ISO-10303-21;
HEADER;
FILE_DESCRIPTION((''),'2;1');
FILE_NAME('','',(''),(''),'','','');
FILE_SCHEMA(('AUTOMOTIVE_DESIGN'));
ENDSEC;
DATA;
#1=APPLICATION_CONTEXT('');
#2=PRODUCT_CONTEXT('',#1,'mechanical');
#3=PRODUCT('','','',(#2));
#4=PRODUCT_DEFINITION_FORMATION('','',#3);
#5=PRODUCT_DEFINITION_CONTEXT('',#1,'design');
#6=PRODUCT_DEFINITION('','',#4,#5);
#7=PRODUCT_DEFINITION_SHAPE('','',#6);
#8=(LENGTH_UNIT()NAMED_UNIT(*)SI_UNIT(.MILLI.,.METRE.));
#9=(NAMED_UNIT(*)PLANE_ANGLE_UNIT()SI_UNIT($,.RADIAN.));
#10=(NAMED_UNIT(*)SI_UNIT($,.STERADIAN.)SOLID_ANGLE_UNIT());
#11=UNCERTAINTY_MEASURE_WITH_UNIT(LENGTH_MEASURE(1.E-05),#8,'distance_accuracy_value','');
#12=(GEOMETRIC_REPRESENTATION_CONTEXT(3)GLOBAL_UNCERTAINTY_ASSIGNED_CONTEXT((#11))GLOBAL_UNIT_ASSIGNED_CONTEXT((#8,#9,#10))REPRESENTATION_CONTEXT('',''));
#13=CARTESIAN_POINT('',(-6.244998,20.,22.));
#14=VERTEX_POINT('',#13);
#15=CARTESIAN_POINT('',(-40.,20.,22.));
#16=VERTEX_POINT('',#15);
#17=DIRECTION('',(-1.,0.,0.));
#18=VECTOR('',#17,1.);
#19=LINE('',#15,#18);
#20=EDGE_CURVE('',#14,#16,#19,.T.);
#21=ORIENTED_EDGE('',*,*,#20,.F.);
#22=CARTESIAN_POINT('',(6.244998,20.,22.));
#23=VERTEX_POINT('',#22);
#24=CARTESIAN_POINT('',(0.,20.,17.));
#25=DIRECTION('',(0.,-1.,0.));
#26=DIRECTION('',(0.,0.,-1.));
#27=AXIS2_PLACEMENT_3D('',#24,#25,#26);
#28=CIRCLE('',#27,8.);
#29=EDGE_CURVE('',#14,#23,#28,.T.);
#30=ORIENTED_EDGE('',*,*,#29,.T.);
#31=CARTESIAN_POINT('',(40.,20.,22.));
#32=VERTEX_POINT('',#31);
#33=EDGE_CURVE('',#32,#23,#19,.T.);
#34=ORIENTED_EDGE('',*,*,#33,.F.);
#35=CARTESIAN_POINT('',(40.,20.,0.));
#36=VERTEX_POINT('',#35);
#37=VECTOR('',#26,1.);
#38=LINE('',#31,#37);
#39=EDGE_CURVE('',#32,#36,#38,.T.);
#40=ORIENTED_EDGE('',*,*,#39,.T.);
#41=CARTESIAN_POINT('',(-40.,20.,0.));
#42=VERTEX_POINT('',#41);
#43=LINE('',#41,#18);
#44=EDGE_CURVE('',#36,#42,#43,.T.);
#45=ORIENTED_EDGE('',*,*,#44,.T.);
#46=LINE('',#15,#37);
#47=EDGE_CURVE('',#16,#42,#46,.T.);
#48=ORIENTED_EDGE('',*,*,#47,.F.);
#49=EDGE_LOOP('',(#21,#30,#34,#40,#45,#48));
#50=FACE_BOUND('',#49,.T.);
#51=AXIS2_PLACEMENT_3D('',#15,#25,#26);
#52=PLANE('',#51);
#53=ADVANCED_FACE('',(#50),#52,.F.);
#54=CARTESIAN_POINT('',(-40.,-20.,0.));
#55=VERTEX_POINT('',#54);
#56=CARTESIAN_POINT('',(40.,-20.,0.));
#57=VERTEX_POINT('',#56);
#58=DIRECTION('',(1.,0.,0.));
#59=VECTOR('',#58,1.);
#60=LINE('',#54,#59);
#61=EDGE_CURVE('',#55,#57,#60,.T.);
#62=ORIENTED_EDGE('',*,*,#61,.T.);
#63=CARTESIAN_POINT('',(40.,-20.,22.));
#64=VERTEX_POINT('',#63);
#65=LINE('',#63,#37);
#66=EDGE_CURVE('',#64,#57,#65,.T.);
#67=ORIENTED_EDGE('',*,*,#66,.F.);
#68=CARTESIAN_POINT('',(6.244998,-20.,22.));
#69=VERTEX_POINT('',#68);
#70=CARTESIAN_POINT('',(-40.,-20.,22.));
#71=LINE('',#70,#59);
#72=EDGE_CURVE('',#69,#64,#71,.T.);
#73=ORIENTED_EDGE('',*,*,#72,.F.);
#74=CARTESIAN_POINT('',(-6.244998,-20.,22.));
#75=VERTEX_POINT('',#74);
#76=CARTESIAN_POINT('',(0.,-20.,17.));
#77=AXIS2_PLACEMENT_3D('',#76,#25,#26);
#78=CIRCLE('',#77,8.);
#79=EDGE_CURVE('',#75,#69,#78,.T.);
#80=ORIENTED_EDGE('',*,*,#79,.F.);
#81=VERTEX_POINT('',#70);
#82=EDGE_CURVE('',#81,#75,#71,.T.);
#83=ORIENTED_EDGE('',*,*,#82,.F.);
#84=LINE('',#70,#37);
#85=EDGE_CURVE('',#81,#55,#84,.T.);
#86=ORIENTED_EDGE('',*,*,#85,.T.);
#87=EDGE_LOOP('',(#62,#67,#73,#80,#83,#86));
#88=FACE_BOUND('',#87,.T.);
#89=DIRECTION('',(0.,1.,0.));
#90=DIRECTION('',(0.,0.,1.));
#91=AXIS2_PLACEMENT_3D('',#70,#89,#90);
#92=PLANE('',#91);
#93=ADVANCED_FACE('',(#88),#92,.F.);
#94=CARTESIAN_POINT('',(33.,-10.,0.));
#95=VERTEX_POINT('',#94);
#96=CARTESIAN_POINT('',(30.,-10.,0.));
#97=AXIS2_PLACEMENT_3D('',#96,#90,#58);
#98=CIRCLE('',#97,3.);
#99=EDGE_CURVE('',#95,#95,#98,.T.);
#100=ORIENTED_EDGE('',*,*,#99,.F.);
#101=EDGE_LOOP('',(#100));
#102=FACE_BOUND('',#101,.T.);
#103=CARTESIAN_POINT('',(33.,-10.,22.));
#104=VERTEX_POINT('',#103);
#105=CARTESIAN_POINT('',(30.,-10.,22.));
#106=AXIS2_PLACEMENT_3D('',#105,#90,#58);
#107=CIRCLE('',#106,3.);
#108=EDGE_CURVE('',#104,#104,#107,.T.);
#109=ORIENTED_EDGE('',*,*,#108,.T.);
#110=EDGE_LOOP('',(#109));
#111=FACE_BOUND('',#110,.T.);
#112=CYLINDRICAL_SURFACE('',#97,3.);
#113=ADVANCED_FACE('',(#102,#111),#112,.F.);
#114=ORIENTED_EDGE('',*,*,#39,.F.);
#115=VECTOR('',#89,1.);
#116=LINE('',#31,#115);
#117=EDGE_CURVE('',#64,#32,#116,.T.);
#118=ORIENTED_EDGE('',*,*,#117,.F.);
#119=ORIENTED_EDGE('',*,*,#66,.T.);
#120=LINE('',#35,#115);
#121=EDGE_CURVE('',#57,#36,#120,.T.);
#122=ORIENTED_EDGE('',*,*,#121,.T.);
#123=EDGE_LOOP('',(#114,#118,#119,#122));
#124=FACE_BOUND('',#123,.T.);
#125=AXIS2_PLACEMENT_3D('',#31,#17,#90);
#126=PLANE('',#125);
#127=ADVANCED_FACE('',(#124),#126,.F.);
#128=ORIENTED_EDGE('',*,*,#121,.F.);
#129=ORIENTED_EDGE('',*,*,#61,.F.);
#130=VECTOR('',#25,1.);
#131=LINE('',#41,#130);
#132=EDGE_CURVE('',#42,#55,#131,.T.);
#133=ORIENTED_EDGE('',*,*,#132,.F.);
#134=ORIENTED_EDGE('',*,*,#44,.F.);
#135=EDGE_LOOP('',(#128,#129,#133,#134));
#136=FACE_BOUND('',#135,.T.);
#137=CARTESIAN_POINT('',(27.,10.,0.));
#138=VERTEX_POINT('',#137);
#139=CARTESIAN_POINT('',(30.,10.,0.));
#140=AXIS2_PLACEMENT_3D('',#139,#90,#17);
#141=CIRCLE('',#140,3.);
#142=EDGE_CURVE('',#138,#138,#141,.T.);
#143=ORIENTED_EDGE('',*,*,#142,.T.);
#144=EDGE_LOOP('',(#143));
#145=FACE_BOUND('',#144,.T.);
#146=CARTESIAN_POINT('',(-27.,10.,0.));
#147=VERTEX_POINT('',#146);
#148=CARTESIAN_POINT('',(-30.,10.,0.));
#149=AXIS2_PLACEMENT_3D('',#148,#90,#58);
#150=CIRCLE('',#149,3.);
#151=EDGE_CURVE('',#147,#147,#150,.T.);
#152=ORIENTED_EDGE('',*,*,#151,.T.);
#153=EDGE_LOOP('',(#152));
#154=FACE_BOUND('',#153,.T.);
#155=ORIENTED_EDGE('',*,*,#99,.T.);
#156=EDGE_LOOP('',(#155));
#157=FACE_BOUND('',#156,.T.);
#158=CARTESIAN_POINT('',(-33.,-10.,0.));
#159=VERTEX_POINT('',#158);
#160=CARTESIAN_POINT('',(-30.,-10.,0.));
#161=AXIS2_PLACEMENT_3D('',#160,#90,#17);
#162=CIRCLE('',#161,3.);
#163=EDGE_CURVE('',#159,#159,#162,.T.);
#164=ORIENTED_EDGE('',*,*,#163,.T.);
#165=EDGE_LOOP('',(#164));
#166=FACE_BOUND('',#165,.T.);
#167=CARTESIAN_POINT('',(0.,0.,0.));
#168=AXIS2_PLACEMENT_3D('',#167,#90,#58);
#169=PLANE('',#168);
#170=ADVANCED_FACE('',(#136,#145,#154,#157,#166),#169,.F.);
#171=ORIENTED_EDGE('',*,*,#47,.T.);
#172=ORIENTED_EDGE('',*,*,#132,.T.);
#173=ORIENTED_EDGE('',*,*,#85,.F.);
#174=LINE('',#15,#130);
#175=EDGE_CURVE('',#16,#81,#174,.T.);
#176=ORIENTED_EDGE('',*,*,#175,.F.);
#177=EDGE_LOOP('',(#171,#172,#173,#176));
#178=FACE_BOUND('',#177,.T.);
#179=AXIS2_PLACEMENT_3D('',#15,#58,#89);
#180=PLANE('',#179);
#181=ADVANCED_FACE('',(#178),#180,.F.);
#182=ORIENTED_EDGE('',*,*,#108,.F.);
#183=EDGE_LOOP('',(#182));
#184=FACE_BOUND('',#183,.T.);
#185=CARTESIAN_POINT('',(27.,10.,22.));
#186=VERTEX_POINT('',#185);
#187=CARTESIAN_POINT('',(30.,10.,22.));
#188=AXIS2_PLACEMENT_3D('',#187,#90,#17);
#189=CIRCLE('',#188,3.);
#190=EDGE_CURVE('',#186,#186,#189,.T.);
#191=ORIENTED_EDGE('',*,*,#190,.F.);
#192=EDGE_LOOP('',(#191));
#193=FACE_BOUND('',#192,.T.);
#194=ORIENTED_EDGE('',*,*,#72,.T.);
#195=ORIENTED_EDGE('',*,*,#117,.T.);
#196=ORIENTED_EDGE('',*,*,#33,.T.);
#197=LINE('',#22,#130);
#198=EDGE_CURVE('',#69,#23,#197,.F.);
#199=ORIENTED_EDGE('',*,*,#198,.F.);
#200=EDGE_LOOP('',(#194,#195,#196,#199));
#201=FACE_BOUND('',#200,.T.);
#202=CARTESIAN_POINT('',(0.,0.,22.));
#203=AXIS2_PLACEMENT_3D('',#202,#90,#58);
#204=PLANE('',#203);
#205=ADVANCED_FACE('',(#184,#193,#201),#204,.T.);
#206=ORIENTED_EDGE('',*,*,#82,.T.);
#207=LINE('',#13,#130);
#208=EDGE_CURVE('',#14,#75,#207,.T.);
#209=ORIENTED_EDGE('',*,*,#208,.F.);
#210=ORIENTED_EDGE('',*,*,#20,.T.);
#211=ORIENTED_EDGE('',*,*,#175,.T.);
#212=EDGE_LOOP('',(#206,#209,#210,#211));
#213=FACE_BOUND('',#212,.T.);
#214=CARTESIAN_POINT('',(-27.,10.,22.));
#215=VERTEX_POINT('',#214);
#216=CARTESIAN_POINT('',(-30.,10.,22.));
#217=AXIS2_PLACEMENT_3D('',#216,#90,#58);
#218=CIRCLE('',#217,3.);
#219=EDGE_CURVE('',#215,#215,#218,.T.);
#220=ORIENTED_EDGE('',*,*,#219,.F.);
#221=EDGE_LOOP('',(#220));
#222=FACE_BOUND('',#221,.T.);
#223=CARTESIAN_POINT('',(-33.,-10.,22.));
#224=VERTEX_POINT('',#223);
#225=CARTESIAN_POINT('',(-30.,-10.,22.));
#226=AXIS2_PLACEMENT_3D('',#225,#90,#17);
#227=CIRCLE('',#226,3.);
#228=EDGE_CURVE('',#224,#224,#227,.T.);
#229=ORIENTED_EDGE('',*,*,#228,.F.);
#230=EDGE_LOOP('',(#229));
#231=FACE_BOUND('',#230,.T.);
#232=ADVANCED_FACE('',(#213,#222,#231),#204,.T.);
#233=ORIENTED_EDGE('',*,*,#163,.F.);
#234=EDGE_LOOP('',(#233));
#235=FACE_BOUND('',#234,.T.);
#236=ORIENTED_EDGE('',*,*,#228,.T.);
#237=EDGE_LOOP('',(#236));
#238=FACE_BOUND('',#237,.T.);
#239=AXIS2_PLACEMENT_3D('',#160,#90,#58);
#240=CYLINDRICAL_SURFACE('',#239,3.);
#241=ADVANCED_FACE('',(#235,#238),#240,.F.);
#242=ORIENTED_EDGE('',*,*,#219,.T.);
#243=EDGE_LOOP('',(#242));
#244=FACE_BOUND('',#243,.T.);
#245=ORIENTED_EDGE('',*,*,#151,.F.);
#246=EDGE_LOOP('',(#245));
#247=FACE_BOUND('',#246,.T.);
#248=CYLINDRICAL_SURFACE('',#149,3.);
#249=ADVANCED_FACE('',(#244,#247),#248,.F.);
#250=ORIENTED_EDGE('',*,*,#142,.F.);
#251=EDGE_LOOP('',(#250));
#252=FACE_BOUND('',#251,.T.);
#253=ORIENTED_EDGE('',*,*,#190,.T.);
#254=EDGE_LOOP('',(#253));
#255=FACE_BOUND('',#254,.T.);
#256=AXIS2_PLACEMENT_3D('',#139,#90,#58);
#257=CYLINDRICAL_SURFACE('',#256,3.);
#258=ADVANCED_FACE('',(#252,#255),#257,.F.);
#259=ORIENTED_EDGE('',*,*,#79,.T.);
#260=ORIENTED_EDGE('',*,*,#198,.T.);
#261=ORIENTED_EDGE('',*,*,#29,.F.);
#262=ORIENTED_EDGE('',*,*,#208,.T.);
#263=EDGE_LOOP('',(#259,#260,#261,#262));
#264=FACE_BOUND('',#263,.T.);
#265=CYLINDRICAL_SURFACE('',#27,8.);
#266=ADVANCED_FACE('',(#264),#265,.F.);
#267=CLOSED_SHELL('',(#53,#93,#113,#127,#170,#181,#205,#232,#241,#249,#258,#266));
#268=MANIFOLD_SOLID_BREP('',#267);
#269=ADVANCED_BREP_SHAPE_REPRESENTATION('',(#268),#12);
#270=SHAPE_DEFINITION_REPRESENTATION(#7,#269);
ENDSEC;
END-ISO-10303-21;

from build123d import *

# Parameters (mm, degrees)
SCHIZZO1_W                   = 80
SCHIZZO1_H                   = 40
ESTRUSIONE_ESTRUSIONE1_DEPTH = 22
SCHIZZO2_R                   = 8
TAGLIO_ESTRUSIONE1_DEPTH     = 61.695963622
SCHIZZO3_R                   = 3
TAGLIO_ESTRUSIONE2_DEPTH     = 50.839743178


with BuildPart() as part:
    # Schizzo1 → Estrusione-Estrusione1 (new body)
    with BuildSketch(Plane.XY):
        Rectangle(SCHIZZO1_W, SCHIZZO1_H)
    extrude(amount=ESTRUSIONE_ESTRUSIONE1_DEPTH)

    # Schizzo2 → Taglio-Estrusione1 (cut, through all)
    with BuildSketch(Plane.XZ.offset(20)):
        with Locations((0, 17)):
            Circle(SCHIZZO2_R)
    extrude(amount=-TAGLIO_ESTRUSIONE1_DEPTH, mode=Mode.SUBTRACT)

    # Schizzo3 → Taglio-Estrusione2 (cut, through all)
    with BuildSketch(Plane.XY.offset(22)):
        with Locations((-30, 10)):
            Circle(SCHIZZO3_R)
        with Locations(Location((-30, -10, 0), (0, 0, 180))):
            Circle(SCHIZZO3_R)
        with Locations((30, -10)):
            Circle(SCHIZZO3_R)
        with Locations(Location((30, 10, 0), (0, 0, 180))):
            Circle(SCHIZZO3_R)
    extrude(amount=-TAGLIO_ESTRUSIONE2_DEPTH, mode=Mode.SUBTRACT)


solid = part.part
